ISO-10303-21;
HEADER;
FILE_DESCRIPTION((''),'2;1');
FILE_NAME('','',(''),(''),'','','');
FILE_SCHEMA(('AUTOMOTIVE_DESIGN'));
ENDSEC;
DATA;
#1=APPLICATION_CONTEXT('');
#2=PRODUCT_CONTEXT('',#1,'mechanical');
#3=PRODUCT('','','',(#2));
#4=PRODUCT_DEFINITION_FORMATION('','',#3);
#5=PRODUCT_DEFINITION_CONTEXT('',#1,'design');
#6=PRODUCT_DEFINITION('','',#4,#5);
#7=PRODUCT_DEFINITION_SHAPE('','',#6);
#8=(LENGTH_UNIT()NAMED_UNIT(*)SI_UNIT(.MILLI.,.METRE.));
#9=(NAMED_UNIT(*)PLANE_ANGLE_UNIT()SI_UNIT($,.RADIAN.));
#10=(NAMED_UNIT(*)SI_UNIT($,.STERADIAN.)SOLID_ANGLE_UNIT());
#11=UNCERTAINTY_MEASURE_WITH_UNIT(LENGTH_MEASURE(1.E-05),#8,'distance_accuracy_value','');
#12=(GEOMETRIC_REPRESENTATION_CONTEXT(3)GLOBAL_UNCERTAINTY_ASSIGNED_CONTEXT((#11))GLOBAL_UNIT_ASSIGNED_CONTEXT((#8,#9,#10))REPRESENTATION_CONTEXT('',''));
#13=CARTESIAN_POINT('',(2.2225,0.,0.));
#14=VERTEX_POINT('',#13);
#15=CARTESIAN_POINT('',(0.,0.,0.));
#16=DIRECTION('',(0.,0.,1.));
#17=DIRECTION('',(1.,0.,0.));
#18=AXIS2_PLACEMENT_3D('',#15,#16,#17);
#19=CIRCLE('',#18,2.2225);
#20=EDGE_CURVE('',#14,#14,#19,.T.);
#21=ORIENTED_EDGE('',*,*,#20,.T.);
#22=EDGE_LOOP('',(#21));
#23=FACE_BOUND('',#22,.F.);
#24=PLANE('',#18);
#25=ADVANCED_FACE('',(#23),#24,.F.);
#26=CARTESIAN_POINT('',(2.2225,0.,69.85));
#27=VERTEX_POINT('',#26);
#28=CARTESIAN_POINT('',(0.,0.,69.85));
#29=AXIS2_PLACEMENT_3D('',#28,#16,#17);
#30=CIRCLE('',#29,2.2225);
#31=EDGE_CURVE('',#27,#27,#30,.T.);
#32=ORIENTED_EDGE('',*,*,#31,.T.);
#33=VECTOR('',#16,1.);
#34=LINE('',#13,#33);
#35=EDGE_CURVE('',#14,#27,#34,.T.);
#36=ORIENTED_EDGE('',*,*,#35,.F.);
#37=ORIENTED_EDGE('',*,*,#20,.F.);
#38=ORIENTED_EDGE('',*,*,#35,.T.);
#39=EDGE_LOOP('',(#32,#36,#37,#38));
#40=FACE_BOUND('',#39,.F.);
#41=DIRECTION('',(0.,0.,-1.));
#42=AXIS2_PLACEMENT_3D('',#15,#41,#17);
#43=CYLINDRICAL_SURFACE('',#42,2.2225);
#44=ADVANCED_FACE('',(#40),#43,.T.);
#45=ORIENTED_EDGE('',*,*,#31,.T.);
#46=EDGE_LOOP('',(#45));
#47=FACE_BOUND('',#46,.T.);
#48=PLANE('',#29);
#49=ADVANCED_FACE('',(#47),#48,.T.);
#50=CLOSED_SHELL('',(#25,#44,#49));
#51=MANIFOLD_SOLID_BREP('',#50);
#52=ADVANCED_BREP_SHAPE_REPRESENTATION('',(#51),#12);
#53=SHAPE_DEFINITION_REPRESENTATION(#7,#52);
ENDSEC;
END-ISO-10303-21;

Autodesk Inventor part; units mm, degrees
ref_plane "YZ Plane" through (0, 0, 0) normal (1, 0, 0) x (0, 1, 0)
ref_plane "XZ Plane" through (0, 0, 0) normal (0, 1, 0) x (-1, 0, 0)
ref_plane "XY Plane" through (0, 0, 0) normal (0, 0, 1) x (1, 0, 0)
sketch "Sketch1" plane through (0, 0, 0) normal (0, 0, 1) x (1, 0, 0)
  circle A0 centre (0, 0) radius 2.2225
  dimension "d0" = 4.445
extrude "Extrusion1" add sketch "Sketch1" along normal blind 69.85
thread "Thread1" size "10-24 UNC" class "2A" standard "ANSI Unified Screw Threads" full length
ref_plane "Work Plane1" through (0, 0, 34.925) normal (0, 0, 1) x (1, 0, 0)
properties part number "RollerThing2"
